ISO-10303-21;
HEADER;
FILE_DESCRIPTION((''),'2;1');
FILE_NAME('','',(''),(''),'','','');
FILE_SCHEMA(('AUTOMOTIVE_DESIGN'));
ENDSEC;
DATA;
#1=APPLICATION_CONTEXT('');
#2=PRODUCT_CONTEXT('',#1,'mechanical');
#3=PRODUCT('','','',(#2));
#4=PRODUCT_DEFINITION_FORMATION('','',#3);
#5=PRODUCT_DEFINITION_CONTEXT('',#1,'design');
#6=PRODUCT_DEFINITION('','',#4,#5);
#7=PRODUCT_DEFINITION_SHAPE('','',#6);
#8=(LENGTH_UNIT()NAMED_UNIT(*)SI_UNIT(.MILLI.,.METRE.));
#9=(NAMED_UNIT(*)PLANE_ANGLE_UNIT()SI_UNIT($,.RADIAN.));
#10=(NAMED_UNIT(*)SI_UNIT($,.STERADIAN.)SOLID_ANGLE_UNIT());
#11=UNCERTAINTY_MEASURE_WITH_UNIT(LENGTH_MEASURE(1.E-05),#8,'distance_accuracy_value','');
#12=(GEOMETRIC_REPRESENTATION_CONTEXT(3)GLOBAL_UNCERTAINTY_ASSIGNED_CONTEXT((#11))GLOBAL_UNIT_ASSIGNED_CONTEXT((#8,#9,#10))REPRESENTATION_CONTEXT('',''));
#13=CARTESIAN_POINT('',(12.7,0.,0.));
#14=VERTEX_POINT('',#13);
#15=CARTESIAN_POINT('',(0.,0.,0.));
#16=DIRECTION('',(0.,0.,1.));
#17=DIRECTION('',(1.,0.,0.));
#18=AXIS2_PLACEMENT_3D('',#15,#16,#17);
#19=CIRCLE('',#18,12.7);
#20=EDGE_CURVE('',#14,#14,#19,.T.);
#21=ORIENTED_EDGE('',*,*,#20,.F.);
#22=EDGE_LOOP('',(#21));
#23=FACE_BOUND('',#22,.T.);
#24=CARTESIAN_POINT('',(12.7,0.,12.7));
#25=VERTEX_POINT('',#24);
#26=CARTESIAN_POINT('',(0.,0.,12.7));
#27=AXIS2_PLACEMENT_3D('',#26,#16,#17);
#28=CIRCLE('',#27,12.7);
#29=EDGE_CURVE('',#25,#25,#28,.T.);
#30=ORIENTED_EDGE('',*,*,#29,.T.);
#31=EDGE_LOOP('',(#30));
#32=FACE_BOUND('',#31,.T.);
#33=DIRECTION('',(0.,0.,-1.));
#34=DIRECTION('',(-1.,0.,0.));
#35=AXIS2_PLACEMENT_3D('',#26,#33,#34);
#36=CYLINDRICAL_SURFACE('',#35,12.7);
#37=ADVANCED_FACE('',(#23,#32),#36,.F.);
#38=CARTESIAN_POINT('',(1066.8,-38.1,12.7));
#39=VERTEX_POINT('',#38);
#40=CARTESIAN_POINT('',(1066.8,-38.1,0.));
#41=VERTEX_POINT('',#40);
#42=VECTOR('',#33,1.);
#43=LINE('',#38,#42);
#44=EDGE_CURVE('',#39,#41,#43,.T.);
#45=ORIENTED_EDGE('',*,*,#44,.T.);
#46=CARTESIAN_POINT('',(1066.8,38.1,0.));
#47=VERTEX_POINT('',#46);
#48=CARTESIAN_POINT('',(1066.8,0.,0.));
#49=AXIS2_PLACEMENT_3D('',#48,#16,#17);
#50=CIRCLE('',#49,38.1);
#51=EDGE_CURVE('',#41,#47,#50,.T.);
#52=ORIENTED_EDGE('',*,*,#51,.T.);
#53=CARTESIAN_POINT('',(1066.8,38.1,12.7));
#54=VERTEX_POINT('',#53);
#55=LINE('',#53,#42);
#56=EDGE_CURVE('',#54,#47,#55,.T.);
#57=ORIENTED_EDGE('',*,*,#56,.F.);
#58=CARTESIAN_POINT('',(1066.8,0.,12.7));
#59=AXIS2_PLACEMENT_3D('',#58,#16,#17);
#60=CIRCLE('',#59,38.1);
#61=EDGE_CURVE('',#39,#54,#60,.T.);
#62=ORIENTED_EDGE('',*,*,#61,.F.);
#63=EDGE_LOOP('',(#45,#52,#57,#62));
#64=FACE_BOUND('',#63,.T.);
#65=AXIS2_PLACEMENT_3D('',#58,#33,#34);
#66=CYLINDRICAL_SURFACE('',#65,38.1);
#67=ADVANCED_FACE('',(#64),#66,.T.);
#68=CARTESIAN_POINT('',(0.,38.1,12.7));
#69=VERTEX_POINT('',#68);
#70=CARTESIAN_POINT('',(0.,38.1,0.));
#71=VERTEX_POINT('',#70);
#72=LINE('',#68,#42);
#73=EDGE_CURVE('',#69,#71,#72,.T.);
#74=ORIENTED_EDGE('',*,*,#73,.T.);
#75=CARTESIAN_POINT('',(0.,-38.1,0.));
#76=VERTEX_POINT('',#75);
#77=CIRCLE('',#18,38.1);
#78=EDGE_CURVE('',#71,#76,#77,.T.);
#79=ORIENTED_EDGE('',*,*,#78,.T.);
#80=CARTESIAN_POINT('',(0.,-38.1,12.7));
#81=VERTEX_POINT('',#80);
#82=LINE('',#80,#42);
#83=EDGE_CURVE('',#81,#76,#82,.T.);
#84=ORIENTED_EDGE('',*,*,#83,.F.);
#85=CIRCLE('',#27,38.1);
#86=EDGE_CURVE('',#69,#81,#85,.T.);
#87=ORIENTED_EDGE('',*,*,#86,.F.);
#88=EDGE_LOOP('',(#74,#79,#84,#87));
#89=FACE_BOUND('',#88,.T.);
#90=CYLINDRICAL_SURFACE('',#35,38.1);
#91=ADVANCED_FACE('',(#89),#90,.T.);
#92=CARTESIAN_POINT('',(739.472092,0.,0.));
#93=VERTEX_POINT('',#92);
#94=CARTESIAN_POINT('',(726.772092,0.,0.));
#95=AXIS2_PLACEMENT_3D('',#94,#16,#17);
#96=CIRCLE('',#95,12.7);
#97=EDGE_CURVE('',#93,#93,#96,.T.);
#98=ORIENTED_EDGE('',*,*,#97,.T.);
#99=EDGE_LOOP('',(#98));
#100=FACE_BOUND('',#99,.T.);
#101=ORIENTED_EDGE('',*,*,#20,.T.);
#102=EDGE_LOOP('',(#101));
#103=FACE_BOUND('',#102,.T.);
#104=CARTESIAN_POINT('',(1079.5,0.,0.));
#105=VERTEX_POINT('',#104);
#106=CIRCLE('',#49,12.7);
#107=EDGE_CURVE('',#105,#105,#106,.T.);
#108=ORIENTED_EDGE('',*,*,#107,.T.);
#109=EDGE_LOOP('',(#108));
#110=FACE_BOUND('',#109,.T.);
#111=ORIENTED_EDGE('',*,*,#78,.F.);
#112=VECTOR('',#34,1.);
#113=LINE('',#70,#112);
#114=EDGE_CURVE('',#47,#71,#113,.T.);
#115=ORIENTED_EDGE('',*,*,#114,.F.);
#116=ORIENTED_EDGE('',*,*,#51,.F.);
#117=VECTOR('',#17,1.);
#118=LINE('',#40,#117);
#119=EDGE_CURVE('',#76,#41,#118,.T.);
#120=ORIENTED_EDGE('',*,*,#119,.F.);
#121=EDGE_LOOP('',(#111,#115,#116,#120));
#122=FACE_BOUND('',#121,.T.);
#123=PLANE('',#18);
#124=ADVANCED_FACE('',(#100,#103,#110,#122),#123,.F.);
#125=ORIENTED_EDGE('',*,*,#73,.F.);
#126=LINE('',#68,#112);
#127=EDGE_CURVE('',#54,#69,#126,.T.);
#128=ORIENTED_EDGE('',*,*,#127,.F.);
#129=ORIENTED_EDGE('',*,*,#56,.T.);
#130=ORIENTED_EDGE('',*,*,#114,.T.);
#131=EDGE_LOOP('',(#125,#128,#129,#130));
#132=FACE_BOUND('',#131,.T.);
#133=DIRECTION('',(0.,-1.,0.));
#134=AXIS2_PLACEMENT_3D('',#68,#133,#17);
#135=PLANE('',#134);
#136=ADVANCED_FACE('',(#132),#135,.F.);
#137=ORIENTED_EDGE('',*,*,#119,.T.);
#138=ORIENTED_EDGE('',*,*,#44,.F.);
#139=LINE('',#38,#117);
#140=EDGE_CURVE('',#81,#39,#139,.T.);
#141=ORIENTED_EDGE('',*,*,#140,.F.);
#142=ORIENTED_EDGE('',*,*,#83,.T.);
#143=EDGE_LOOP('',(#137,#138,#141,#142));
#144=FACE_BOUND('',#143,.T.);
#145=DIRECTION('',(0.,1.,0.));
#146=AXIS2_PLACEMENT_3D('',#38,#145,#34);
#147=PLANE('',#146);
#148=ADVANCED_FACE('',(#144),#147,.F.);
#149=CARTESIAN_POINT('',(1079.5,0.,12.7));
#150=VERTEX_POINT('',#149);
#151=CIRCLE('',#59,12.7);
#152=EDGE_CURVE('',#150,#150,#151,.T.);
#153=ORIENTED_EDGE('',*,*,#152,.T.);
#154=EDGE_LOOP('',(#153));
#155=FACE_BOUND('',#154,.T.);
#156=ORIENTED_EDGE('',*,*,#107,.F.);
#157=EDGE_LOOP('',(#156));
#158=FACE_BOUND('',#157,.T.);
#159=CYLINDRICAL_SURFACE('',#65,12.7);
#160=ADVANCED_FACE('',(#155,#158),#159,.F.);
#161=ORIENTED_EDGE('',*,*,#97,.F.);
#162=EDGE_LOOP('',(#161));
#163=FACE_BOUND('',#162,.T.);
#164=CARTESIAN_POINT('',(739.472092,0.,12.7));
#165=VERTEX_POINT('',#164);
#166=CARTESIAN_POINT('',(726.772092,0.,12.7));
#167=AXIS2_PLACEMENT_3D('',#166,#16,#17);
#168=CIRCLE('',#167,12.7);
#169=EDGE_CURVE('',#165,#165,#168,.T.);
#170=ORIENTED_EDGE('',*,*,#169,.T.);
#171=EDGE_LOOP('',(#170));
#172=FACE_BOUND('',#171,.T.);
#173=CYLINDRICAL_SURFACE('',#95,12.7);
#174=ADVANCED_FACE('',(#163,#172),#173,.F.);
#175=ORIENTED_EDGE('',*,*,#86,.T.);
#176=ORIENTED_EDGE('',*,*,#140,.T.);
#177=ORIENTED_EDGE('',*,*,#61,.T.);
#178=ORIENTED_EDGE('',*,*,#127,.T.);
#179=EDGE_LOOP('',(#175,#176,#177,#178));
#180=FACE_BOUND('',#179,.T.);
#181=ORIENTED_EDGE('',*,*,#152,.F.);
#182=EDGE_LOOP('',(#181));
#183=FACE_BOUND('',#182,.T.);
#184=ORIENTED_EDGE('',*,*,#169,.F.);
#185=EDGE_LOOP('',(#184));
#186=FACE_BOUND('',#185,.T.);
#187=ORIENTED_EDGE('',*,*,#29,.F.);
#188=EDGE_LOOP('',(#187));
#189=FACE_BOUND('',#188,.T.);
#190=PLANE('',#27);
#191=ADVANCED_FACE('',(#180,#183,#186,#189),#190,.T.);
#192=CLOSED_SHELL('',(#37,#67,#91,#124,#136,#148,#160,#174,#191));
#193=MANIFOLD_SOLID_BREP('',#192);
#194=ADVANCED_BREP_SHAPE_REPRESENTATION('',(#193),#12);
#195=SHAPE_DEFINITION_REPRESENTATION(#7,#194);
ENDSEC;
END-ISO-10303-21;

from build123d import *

# Parameters (mm, degrees)
SKETCH2_R           = 12.7
BOSS_EXTRUDE1_DEPTH = 12.7
SKETCH3_R           = 12.7
CUT_EXTRUDE1_DEPTH  = 13.7


with BuildPart() as part:
    # Sketch2 → Boss-Extrude1 (new body)
    with BuildSketch(Plane.XY):
        with BuildLine():
            Line((0, 38.1), (1066.8, 38.1))
            ThreePointArc((1066.8, 38.1), (1104.9, 0), (1066.8, -38.1))
            Line((1066.8, -38.1), (0, -38.1))
            ThreePointArc((0, -38.1), (-38.1, 0), (0, 38.1))
        make_face()
        Circle(SKETCH2_R, mode=Mode.SUBTRACT)
        with Locations((1066.8, 0)):
            Circle(SKETCH2_R, mode=Mode.SUBTRACT)
    extrude(amount=BOSS_EXTRUDE1_DEPTH)

    # Sketch3 → Cut-Extrude1 (cut, through all)
    with BuildSketch(Plane.XY.offset(12.7)):
        with Locations((726.772091625, 0)):
            Circle(SKETCH3_R)
    extrude(amount=-CUT_EXTRUDE1_DEPTH, mode=Mode.SUBTRACT)


solid = part.part
